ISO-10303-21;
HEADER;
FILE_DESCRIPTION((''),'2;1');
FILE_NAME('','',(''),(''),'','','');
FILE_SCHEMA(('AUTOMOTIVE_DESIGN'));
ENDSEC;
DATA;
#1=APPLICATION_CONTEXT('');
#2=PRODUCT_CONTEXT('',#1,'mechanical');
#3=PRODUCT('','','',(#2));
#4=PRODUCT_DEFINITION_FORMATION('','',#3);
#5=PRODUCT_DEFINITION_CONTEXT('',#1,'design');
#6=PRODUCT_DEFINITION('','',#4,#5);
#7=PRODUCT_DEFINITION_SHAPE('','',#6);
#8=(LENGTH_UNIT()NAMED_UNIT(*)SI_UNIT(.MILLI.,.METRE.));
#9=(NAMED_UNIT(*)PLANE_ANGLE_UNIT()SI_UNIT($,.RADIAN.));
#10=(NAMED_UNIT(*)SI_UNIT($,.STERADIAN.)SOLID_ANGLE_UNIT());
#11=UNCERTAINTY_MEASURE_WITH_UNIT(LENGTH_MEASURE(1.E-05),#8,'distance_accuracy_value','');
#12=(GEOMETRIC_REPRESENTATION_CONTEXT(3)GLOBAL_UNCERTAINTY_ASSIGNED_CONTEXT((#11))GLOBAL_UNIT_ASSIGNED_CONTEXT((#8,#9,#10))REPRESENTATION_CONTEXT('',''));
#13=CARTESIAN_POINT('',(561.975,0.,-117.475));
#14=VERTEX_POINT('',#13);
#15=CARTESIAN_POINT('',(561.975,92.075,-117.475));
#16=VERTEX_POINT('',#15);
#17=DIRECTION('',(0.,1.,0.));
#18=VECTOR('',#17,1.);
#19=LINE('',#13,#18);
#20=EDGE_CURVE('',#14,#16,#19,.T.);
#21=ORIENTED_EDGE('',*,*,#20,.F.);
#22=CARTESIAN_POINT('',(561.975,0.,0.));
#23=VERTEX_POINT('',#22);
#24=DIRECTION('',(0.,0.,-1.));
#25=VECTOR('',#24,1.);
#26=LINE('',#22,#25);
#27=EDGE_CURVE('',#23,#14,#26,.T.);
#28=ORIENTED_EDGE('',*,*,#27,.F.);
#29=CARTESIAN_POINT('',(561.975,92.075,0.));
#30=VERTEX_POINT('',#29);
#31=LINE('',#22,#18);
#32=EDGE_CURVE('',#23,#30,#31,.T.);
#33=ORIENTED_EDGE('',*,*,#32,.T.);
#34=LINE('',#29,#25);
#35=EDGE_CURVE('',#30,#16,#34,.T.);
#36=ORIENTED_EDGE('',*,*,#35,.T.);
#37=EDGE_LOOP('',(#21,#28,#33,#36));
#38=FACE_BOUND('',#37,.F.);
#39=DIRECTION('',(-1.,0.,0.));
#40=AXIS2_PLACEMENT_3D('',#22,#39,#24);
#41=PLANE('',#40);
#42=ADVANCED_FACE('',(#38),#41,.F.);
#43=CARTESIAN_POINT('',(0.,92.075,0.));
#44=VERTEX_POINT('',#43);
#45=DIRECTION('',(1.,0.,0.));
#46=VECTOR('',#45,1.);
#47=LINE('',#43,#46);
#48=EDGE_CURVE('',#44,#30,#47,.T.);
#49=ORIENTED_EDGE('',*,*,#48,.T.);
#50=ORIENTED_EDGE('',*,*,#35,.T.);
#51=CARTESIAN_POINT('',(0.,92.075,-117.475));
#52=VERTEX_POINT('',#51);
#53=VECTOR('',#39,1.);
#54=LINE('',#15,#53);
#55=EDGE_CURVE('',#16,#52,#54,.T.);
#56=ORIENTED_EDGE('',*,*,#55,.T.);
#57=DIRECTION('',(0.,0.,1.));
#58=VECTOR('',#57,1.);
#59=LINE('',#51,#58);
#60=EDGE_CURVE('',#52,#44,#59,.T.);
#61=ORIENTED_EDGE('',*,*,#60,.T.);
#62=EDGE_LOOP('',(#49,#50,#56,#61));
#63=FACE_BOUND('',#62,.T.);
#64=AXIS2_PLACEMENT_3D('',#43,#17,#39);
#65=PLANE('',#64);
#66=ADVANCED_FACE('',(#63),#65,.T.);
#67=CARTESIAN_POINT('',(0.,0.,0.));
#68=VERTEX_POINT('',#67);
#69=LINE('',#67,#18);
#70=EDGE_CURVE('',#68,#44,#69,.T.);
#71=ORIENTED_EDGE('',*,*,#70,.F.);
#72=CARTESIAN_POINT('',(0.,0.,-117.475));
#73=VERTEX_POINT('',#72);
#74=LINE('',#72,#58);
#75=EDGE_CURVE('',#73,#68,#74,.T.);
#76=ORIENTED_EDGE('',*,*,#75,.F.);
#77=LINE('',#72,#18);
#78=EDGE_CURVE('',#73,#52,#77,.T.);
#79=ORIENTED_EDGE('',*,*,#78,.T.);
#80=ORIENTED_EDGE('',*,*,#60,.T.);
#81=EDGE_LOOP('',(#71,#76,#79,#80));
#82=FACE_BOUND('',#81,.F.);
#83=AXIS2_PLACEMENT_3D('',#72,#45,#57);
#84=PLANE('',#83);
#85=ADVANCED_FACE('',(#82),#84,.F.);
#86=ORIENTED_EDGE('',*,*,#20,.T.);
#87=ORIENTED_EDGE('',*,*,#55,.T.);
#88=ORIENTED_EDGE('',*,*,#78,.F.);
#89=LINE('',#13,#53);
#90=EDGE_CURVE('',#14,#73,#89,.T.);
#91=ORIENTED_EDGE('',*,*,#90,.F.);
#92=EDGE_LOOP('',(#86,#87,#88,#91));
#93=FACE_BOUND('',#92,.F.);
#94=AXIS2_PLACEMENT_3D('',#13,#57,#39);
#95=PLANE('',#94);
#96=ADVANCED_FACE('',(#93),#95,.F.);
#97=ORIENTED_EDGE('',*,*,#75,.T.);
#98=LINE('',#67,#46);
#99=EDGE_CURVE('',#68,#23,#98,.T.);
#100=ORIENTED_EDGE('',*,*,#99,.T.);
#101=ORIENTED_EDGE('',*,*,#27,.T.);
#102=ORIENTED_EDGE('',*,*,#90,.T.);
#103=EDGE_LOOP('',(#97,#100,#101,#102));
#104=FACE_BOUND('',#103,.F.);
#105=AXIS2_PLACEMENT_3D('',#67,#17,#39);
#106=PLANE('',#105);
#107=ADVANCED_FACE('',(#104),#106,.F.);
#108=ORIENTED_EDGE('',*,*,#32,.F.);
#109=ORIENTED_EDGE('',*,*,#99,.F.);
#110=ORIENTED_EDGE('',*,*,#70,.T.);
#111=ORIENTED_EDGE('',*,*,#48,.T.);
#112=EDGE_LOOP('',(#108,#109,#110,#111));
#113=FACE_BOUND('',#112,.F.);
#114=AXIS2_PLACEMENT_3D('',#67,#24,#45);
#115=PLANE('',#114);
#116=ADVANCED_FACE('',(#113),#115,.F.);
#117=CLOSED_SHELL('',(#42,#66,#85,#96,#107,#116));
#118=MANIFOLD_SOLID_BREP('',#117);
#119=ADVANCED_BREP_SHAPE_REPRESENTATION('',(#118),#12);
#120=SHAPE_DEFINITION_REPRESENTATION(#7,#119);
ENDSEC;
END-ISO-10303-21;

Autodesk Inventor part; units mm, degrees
ref_plane "YZ Plane" through (0, 0, 0) normal (1, 0, 0) x (0, 1, 0)
ref_plane "XZ Plane" through (0, 0, 0) normal (0, 1, 0) x (-1, 0, 0)
ref_plane "XY Plane" through (0, 0, 0) normal (0, 0, 1) x (1, 0, 0)
sketch "Sketch2" plane through (0, 0, 0) normal (0, 1, 0) x (-1, 0, 0)
  line L0 (0, 0) -> (-561.975, 0)
  line L1 (-561.975, 0) -> (-561.975, -117.475)
  line L2 (-561.975, -117.475) -> (0, -117.475)
  line L3 (0, -117.475) -> (0, 0)
  dimension "d3" = 561.975
  dimension "d4" = 117.475
extrude "Extrusion1" add sketch "Sketch2" along normal blind 92.075
properties part number "WDW_rtn"
